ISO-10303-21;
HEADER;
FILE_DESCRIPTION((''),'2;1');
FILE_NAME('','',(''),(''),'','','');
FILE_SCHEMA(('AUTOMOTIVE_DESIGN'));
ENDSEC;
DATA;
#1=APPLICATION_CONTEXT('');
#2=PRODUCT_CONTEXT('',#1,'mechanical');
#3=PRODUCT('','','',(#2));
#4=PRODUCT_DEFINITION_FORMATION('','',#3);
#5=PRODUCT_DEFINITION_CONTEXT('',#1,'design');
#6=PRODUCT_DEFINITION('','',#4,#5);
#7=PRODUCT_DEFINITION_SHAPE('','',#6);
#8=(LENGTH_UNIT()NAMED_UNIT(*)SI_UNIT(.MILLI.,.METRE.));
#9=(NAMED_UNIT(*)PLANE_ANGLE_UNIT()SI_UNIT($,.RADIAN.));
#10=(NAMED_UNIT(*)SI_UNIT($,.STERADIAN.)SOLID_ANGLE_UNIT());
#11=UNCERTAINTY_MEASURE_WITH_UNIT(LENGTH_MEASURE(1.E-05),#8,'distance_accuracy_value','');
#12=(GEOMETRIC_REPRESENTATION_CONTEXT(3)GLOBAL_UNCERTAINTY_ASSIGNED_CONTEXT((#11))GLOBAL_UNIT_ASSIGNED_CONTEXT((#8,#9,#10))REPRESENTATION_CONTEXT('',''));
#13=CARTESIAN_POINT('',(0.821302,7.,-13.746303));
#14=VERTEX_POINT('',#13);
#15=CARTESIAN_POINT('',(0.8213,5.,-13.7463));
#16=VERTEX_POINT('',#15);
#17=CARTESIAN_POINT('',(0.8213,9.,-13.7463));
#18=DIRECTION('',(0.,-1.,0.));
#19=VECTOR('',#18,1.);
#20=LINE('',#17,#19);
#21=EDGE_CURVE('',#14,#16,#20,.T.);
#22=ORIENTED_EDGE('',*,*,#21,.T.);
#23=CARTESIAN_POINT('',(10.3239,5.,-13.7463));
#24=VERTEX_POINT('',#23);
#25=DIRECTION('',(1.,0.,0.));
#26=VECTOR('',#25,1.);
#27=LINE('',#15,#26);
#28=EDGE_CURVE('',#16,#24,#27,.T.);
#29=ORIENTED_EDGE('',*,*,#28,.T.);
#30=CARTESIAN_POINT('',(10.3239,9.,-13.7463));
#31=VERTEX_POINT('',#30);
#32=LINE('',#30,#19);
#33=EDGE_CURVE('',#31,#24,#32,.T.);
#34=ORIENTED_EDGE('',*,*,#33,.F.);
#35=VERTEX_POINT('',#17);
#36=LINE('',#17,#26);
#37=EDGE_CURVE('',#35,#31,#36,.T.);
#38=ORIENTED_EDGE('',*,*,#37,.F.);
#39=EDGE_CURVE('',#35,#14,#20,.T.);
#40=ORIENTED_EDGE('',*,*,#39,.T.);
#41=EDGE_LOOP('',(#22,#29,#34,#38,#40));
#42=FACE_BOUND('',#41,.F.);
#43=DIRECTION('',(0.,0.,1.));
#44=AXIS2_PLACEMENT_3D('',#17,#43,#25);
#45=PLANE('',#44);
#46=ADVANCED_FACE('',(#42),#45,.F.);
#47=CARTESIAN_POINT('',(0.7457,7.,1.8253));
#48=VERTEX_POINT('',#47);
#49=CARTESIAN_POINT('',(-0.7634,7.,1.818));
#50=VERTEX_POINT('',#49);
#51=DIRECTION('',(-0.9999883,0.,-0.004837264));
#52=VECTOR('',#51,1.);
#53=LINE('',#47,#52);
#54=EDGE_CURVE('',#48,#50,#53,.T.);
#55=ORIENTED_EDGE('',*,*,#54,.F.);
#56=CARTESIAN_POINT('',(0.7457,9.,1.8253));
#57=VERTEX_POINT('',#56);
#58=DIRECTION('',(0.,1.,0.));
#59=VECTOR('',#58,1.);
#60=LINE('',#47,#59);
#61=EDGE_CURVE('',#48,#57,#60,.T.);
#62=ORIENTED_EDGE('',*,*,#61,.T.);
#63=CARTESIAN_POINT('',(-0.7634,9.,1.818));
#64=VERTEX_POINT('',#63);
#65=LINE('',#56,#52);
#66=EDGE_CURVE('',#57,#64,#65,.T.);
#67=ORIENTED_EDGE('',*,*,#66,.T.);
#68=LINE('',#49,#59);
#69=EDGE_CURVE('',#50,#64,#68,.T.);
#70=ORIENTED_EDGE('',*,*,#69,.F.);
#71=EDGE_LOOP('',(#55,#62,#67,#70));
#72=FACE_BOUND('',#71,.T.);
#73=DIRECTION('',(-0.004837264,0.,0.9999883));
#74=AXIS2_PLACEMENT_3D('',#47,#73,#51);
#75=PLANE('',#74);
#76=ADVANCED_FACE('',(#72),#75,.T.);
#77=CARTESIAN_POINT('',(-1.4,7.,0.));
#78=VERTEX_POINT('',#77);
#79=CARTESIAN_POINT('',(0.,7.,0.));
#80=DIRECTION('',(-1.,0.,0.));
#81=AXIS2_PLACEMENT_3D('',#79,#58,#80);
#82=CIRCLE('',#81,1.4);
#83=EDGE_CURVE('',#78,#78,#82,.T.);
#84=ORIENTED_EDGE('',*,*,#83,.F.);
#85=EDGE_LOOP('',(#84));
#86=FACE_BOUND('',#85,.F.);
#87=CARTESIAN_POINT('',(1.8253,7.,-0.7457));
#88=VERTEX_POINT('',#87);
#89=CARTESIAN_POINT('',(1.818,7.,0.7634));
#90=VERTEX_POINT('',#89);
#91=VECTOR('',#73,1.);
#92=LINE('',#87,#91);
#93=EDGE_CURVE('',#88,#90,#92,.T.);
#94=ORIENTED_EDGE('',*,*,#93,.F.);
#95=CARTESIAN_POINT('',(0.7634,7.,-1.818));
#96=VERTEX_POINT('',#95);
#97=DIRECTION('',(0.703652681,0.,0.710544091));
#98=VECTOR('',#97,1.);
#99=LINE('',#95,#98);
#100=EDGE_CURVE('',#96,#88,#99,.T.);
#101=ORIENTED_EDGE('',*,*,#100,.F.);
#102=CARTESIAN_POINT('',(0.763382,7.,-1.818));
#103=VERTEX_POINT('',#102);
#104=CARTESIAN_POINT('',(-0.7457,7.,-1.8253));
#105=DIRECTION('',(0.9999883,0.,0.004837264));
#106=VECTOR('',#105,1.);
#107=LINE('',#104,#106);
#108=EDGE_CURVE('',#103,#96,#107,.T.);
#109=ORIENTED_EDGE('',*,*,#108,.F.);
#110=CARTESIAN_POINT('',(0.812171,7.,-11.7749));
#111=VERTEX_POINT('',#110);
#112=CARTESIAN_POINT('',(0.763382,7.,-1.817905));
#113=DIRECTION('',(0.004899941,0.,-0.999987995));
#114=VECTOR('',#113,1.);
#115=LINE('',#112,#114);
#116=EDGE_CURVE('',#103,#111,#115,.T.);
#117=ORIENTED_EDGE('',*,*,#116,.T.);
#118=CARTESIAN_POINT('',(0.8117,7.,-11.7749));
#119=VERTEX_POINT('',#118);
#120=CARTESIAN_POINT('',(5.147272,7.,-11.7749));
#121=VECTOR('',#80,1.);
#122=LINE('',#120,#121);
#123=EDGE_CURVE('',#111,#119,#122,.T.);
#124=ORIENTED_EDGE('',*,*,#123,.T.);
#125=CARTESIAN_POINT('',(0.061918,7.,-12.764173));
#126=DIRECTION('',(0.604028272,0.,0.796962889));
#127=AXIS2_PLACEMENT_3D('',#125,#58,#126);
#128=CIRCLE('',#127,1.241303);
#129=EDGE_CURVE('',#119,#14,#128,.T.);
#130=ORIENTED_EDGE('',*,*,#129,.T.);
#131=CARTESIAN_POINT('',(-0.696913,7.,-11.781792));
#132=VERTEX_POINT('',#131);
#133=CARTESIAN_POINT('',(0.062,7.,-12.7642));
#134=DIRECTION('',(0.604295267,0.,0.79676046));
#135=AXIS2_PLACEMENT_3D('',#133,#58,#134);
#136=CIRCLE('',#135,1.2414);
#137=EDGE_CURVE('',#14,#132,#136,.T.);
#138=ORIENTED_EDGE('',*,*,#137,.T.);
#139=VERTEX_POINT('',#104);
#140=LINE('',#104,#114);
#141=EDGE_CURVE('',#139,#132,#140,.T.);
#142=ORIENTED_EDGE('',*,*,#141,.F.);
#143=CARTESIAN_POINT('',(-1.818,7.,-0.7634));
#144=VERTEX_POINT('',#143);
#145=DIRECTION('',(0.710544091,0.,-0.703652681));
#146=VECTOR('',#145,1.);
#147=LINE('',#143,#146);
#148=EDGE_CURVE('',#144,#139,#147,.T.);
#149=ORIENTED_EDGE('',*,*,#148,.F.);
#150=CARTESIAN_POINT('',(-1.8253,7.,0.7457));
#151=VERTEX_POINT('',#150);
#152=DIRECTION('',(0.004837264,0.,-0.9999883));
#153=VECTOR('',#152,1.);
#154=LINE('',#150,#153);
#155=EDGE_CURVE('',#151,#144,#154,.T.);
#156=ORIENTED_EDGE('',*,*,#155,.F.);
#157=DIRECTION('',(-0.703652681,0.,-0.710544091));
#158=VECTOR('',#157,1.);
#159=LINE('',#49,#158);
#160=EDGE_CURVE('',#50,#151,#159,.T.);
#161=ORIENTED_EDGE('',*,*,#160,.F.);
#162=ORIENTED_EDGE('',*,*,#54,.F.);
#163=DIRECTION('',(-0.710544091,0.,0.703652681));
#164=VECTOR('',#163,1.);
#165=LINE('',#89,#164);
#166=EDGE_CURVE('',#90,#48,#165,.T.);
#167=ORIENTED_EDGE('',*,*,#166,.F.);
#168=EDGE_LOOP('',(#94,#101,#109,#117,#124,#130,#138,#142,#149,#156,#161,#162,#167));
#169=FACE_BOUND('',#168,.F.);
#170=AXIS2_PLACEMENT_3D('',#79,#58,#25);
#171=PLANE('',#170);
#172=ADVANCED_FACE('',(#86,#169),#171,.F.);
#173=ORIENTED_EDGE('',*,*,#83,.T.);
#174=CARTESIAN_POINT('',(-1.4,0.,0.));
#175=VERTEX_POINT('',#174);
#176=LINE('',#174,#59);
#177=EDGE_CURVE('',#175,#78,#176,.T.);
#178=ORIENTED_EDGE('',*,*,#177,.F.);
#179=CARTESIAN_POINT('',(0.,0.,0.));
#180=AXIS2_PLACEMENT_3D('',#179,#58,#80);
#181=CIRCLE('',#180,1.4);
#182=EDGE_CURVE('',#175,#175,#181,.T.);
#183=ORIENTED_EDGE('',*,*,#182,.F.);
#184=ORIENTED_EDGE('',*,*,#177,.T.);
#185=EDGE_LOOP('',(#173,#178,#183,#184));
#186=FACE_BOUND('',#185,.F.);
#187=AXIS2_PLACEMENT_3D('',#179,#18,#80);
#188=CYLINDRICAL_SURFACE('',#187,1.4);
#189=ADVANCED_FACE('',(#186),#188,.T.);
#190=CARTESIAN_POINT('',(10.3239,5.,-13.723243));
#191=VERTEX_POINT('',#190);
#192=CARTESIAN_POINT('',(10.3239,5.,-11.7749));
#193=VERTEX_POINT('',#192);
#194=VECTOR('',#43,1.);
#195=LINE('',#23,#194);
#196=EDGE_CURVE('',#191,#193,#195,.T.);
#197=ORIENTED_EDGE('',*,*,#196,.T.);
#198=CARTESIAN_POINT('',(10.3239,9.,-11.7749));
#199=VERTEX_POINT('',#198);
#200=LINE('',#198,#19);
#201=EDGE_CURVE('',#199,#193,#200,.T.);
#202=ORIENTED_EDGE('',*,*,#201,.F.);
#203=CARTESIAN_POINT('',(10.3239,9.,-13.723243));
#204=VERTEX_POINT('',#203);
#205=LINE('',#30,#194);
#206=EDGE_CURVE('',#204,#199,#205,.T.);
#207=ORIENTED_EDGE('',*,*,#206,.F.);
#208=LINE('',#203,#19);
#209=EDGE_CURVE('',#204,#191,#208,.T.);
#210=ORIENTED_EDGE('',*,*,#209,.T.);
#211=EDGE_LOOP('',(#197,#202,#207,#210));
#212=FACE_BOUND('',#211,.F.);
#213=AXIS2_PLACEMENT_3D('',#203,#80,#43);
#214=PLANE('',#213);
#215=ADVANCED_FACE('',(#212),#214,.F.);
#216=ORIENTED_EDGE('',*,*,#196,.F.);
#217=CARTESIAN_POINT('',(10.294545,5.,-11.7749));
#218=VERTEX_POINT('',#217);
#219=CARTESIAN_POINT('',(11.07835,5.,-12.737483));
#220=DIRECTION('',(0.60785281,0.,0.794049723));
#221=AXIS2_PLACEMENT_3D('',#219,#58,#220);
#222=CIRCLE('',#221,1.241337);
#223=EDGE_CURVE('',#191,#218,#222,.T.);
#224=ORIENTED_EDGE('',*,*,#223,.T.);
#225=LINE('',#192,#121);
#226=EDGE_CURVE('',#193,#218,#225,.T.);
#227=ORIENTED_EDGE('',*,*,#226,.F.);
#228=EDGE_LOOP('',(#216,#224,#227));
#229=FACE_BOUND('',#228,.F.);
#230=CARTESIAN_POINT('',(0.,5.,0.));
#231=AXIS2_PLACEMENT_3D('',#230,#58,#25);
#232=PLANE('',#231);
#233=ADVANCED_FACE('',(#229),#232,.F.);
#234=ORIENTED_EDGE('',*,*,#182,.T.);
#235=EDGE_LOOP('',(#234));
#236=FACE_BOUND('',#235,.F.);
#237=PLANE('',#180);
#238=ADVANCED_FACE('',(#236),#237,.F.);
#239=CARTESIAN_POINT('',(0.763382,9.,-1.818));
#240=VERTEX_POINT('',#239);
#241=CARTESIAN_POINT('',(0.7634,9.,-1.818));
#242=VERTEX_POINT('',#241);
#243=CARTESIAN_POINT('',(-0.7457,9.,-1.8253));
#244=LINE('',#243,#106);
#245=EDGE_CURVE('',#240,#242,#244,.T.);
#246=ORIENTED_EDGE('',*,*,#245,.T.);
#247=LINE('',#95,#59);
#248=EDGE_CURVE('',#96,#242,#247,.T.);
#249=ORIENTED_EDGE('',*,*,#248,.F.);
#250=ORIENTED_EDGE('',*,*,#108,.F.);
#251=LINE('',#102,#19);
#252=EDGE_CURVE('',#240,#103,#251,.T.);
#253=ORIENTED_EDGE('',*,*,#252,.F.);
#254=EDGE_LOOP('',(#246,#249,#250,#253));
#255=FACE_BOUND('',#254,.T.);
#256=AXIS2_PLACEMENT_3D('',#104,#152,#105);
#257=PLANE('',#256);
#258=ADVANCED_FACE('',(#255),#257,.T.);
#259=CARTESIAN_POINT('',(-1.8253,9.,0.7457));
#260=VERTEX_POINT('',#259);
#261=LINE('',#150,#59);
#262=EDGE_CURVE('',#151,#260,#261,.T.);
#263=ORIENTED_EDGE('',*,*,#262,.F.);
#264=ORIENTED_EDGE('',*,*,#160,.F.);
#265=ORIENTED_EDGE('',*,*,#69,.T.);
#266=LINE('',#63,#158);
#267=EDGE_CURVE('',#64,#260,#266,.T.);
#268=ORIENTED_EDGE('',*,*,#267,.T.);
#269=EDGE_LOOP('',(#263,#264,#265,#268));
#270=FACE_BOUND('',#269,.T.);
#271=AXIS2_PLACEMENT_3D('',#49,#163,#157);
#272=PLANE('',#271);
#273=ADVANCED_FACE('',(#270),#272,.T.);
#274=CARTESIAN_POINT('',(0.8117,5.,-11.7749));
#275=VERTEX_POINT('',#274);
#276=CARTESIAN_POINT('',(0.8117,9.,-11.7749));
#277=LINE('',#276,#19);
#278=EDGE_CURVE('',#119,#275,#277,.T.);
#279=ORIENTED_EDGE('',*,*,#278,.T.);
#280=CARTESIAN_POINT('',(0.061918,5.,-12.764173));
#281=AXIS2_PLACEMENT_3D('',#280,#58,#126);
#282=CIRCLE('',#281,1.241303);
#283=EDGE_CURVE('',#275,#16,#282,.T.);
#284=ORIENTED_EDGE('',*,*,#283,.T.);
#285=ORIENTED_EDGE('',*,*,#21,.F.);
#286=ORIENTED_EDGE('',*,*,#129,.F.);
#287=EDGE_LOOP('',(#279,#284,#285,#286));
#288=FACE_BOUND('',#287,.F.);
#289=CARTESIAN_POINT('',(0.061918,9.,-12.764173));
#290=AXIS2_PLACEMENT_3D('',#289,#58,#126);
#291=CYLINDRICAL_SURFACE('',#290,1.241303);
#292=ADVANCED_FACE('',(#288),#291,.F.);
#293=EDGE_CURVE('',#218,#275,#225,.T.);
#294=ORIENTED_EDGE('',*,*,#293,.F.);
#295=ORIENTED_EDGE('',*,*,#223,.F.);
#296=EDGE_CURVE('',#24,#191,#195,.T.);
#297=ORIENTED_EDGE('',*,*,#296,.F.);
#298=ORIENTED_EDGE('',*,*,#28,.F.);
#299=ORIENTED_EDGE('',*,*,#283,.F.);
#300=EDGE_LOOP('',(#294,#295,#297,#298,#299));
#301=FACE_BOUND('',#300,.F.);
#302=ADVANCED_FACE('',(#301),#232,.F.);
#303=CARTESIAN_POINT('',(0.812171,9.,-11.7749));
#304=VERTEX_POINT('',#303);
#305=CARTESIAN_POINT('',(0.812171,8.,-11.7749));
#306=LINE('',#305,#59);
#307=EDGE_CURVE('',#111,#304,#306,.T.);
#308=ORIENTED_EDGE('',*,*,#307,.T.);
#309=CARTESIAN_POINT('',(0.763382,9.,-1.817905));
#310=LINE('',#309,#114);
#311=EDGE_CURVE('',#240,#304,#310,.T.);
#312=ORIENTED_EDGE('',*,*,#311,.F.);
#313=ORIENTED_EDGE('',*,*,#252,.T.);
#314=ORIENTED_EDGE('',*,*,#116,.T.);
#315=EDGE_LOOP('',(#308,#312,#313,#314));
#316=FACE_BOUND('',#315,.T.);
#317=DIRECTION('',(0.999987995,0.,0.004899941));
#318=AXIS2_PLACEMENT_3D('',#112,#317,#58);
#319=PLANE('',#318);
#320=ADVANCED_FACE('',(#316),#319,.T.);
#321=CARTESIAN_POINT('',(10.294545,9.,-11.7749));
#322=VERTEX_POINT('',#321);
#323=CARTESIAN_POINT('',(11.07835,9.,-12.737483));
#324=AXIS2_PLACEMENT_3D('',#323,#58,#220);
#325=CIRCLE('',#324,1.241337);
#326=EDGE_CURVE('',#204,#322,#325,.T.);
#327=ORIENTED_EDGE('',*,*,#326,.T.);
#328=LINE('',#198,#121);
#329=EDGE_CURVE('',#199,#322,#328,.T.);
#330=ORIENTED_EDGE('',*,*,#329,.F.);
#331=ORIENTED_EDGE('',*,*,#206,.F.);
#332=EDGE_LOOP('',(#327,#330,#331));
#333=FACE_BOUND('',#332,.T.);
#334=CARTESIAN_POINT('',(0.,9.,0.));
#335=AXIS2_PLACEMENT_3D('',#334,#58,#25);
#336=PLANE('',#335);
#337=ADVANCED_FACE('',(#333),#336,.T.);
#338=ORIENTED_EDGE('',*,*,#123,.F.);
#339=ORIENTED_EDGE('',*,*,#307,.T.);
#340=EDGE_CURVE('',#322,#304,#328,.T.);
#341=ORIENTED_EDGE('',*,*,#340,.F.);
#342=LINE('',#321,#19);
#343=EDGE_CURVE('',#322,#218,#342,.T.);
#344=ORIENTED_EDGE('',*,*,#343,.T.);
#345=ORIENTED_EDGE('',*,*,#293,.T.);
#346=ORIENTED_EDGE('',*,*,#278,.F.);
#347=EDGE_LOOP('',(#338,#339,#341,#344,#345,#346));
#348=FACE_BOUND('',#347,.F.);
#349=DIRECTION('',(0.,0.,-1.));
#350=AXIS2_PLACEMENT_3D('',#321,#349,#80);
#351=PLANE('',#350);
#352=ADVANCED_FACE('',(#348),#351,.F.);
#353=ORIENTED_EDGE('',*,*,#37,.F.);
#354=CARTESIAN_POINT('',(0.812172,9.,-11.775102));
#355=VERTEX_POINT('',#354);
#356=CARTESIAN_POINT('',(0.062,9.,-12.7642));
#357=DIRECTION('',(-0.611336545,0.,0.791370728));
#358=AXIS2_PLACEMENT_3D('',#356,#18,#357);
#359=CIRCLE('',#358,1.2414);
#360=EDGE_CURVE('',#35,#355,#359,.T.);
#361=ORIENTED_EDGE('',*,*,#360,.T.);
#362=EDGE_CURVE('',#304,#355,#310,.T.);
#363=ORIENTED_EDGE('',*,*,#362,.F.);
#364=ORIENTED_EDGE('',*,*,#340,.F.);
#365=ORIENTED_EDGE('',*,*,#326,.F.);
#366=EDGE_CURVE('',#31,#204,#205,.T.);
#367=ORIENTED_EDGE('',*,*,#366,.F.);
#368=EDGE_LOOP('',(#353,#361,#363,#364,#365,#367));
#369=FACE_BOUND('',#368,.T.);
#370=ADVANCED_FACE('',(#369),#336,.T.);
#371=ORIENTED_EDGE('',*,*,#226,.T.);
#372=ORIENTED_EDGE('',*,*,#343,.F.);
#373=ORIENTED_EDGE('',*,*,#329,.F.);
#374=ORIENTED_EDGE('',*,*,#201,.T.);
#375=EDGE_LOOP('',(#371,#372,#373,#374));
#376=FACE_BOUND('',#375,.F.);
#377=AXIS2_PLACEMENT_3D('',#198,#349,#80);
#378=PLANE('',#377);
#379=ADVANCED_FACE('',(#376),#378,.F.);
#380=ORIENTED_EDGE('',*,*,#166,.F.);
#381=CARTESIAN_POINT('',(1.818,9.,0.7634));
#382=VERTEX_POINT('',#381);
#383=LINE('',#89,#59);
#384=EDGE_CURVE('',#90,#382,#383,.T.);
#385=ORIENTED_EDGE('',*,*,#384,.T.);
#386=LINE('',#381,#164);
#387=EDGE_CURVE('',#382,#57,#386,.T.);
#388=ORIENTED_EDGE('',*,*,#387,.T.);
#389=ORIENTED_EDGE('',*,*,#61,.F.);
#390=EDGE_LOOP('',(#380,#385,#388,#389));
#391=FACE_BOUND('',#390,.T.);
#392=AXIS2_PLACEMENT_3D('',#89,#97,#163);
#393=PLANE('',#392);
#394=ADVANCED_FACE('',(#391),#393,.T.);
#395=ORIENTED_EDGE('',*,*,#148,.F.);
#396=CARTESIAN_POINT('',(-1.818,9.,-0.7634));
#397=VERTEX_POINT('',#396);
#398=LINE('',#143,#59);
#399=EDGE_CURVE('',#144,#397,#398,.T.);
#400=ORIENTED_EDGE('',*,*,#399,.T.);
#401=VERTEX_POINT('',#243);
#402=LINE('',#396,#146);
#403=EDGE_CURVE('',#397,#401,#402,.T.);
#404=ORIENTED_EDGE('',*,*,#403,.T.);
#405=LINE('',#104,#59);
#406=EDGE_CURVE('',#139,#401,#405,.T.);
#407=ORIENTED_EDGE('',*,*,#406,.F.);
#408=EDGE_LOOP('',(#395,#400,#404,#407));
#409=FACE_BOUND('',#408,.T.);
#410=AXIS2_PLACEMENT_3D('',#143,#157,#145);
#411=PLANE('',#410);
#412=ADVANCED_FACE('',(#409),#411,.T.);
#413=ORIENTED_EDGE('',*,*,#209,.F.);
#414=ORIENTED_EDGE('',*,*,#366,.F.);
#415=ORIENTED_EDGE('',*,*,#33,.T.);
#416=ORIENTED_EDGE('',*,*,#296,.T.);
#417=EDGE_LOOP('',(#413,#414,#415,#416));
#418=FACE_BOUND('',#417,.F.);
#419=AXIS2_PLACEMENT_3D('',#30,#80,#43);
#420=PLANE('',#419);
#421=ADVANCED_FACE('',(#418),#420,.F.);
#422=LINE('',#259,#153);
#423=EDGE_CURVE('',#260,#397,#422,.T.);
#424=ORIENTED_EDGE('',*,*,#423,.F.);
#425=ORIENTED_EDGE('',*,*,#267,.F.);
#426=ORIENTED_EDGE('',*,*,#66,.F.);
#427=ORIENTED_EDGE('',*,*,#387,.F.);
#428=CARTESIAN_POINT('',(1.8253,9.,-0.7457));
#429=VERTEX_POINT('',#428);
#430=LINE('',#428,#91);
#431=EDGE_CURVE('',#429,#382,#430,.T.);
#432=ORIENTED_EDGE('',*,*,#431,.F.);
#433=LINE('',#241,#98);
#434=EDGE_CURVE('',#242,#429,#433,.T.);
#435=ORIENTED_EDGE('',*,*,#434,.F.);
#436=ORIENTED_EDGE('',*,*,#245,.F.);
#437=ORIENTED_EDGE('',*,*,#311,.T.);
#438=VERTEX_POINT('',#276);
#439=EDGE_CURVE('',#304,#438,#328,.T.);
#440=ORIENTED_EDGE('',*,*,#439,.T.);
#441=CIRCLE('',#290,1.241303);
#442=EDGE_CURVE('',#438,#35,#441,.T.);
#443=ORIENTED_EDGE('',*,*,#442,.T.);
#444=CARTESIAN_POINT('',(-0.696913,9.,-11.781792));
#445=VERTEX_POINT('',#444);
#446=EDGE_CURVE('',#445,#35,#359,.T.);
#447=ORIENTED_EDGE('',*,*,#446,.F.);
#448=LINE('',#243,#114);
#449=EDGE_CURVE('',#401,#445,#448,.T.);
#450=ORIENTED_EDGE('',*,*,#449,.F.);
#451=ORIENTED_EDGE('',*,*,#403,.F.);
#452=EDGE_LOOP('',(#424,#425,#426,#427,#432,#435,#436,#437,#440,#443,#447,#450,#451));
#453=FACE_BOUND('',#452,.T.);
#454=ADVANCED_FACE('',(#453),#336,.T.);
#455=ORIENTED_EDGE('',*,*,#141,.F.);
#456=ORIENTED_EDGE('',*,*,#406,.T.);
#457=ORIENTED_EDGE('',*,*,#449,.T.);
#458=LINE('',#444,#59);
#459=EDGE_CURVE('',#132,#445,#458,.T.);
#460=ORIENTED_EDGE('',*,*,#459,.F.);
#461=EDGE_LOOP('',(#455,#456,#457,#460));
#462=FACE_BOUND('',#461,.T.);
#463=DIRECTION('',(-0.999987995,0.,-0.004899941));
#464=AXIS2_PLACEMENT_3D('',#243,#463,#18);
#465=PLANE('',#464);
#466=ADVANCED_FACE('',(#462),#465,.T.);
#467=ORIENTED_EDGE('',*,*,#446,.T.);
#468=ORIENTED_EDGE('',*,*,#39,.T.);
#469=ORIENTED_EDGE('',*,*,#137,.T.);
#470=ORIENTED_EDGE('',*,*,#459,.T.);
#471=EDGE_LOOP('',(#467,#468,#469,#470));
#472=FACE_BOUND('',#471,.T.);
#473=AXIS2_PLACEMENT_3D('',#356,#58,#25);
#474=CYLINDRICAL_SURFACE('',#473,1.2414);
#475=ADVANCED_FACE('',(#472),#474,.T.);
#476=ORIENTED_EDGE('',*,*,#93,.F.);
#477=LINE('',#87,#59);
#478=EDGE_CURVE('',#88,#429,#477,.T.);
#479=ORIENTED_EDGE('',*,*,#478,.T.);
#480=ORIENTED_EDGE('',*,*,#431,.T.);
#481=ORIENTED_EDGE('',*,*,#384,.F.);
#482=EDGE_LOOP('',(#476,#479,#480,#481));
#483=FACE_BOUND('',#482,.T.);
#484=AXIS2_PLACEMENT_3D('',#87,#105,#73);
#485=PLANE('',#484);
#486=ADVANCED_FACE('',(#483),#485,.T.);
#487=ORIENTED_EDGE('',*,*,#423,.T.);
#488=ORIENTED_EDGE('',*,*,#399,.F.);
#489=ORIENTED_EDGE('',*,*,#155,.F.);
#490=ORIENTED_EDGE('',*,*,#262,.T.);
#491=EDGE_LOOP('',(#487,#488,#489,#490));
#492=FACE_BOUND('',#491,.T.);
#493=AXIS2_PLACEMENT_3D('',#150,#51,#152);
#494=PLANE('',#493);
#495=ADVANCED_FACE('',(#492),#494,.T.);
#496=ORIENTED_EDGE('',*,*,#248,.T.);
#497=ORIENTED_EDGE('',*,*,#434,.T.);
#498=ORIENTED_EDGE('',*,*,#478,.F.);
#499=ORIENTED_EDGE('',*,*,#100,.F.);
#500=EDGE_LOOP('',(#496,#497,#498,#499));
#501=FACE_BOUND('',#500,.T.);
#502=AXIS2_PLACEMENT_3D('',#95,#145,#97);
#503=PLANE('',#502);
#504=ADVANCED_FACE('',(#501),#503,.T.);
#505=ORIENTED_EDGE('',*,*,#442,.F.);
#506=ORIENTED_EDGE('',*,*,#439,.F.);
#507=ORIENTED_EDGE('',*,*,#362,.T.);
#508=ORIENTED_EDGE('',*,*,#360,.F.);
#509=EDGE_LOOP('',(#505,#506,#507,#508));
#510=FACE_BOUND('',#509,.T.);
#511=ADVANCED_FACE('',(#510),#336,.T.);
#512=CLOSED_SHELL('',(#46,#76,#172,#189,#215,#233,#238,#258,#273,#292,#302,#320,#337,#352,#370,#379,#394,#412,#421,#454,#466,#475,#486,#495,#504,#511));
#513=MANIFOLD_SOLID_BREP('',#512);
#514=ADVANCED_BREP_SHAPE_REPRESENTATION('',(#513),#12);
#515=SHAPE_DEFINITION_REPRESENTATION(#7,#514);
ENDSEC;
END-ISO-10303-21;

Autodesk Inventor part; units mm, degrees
ref_plane "YZ Plane" through (0, 0, 0) normal (1, 0, 0) x (0, 1, 0)
ref_plane "XZ Plane" through (0, 0, 0) normal (0, 1, 0) x (-1, 0, 0)
ref_plane "XY Plane" through (0, 0, 0) normal (0, 0, 1) x (1, 0, 0)
sketch "Sketch1" plane through (0, 0, 0) normal (0, 1, 0) x (-1, 0, 0)
  circle A0 centre (0, 0) radius 1.4
  dimension "d0" = 2.8
sketch "Sketch2" plane through (0, 0, 0) normal (0, 1, 0) x (-1, 0, 0)
  point P0 (0, 0)
extrude "Extrusion1" add sketch "Sketch1" along normal blind 7
sketch "Sketch3" plane through (0, 7, 0) normal (0, 1, 0) x (1, 0, 0)
  line L0 (1.8253, 0.7457) -> (1.818, -0.7634)
  line L1 (1.818, -0.7634) -> (0.7457, -1.8253)
  line L2 (0.7457, -1.8253) -> (-0.7634, -1.818)
  line L3 (-0.7634, -1.818) -> (-1.8253, -0.7457)
  line L4 (-1.8253, -0.7457) -> (-1.818, 0.7634)
  line L5 (-1.818, 0.7634) -> (-0.7457, 1.8253)
  line L6 (-0.7457, 1.8253) -> (0.7634, 1.818)
  line L7 (0.7634, 1.818) -> (1.8253, 0.7457)
  line L8 (-1.8216, 0.0088) -> (1.8216, -0.0088) construction
  line L9 (-0.0088, -1.8216) -> (0.0088, 1.8216) construction
  point P0 (0, 0)
  point P1 (0, 0)
  point P2 (0, 0)
  point P3 (0, 0)
extrude "Extrusion2" add sketch "Sketch3" along normal blind 2
sketch "Sketch4" plane through (-0.7457, 7, -1.8253) normal (0.0049, 0, -1) x (-1, 0, -0.0049)
  line L0 (-1.5091, 2) -> (0, 2)
  line L1 (0, 2) -> (0, 0)
  line L2 (0, 0) -> (-1.5091, 0)
  line L3 (-1.5091, 0) -> (-1.5091, 2)
  point P0 (-0.7546, -7)
extrude "Extrusion3" add sketch "Sketch4" along normal blind 10
sketch "Sketch5" plane through (0, 9, 0) normal (0, 1, 0) x (1, 0, 0)
  point P0 (0, 0)
sketch "Sketch6" plane through (0, 9, 0) normal (0, 1, 0) x (1, 0, 0)
  point P0 (0, 0)
thread "Thread1" size "M3x0.5" class "6g" standard "ANSI Metric M Profile" full length
sketch "Sketch7" plane through (0, 9, 0) normal (0, 1, 0) x (1, 0, 0)
  circle A0 centre (0.062, 12.7642) radius 1.2414
  point P0 (0, 0)
extrude "Extrusion4" add sketch "Sketch7" against normal blind 2
sketch "Sketch8" plane through (0, 9, 0) normal (0, 1, 0) x (1, 0, 0)
  point P0 (0, 0)
sketch "Sketch9" plane through (0, 9, 0) normal (0, 1, 0) x (1, 0, 0)
  point P0 (0, 0)
sketch "Sketch10" plane through (0, 9, 0) normal (0, 1, 0) x (1, 0, 0)
  line L0 (0.8117, 11.7749) -> (0.8213, 13.7463)
  arc A0 (0.8117, 11.7749) -> (-0.6974, 11.7822) centre (0.062, 12.7642) ccw projected
  line L1 (0.7634, 1.818) -> (0.8117, 11.7749) projected
  line L2 (0.8213, 13.7463) -> (10.3239, 13.7463)
  line L3 (10.3239, 13.7463) -> (10.3239, 11.7749)
  line L4 (10.3239, 11.7749) -> (0.8117, 11.7749)
  line L5 (5.5726, 13.7463) -> (5.5678, 11.7749) construction
  arc A1 (11.8329, 11.7518) -> (10.3238, 11.7518) centre (11.0784, 12.7375) ccw
  arc A2 (10.3238, 11.7518) -> (11.8329, 11.7518) centre (11.0784, 12.7375) ccw
  point P0 (0, 0)
extrude "Extrusion5" add sketch "Sketch10" against normal blind 4 contours A0 L2 L3 A1 L4 | A1 L3 L4
sketch "Sketch11" plane through (0, 9, 0) normal (0, 1, 0) x (1, 0, 0)
  point P0 (0, 0)
properties part number "Servo_Arm_Hook"
